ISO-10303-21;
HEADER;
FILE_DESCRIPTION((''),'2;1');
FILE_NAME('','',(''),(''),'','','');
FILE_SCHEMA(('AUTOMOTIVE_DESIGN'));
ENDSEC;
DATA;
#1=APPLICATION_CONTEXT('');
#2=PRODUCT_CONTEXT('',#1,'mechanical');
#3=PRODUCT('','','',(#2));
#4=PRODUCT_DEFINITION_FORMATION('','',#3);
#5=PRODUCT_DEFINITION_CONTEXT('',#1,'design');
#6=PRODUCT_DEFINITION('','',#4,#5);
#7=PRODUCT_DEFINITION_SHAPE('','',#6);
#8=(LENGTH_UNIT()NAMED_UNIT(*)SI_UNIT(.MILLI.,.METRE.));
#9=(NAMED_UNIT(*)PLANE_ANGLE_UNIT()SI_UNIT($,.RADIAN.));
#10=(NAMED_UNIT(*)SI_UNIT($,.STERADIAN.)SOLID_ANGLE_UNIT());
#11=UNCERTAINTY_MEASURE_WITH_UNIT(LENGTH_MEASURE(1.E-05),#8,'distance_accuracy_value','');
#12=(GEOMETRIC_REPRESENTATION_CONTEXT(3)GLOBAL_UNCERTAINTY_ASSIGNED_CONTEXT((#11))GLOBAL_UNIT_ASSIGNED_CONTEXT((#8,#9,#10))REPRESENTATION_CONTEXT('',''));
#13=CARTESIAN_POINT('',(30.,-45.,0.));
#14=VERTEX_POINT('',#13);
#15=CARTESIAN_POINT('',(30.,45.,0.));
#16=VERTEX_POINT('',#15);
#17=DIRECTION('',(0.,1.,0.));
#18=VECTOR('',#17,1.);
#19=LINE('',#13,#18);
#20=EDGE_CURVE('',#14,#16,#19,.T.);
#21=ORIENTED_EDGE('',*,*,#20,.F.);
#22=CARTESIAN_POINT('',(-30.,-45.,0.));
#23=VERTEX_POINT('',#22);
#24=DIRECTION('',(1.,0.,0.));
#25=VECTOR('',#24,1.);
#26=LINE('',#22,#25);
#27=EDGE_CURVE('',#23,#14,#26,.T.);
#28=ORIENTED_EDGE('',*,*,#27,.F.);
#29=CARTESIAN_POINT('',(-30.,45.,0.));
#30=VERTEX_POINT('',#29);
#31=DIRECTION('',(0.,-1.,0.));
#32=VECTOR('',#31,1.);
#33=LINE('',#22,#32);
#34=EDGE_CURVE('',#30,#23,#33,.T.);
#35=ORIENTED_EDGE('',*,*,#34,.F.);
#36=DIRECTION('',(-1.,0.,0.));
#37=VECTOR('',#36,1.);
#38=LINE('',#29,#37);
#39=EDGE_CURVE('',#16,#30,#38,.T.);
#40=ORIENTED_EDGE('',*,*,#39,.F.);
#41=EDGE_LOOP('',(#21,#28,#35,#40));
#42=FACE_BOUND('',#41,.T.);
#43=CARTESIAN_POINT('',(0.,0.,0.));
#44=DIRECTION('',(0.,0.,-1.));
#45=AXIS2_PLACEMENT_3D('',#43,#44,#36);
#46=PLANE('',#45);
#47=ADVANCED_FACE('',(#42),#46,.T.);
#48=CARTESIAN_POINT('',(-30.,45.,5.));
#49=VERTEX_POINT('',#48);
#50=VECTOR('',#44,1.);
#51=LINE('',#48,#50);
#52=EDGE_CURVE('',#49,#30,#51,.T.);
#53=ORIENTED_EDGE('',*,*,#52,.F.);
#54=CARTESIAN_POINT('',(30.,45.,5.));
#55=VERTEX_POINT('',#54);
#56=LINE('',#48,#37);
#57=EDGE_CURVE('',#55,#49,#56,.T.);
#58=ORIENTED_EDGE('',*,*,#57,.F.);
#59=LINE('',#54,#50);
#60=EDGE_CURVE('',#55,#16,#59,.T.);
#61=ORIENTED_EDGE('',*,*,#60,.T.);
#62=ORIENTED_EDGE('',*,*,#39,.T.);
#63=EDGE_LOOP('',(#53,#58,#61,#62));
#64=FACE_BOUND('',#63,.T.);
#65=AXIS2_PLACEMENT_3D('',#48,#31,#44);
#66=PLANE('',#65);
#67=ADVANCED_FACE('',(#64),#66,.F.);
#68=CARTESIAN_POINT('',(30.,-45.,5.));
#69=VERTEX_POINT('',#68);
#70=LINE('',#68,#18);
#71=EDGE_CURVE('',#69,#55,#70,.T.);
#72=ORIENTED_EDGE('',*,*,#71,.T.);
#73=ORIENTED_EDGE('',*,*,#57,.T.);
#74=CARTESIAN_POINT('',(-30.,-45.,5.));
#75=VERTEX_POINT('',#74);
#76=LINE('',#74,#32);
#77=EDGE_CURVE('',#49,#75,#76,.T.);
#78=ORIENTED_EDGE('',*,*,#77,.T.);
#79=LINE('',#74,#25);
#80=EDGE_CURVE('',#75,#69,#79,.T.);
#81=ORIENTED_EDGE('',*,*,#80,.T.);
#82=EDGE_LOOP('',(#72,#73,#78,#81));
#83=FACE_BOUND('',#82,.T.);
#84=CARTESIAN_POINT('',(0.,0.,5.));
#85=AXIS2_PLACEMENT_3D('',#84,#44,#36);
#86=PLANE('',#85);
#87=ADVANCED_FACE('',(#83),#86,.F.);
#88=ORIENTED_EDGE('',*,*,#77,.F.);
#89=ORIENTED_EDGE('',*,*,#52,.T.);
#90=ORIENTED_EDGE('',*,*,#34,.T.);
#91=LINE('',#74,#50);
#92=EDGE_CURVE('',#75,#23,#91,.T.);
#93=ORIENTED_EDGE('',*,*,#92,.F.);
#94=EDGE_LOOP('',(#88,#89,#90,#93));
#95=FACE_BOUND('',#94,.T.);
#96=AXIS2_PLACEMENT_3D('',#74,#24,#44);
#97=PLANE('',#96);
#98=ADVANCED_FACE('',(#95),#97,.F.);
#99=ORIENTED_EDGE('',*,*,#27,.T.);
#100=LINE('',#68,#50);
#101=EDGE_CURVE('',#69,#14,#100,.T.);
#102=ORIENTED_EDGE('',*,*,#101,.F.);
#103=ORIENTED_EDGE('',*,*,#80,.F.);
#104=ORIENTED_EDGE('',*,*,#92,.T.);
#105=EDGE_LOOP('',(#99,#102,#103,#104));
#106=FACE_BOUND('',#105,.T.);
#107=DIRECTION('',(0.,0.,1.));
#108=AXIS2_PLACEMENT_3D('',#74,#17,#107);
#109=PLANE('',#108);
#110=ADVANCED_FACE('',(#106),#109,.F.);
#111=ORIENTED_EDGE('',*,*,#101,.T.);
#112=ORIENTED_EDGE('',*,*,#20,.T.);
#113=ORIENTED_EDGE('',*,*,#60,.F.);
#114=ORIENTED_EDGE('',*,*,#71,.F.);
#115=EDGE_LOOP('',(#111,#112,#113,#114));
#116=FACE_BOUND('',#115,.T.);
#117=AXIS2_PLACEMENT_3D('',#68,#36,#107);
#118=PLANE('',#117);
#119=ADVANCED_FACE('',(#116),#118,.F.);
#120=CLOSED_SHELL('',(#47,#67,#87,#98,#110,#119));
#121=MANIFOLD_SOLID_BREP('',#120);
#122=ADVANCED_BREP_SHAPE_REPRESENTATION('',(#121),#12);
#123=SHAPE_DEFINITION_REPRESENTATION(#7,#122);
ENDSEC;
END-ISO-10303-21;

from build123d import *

# Parameters (mm, degrees)
CROQUIS1_W              = 60
CROQUIS1_H              = 90
SALIENTE_EXTRUIR1_DEPTH = 5


with BuildPart() as part:
    # Croquis1 → Saliente-Extruir1 (new body)
    with BuildSketch(Plane.XY):
        Rectangle(CROQUIS1_W, CROQUIS1_H)
    extrude(amount=SALIENTE_EXTRUIR1_DEPTH)


solid = part.part
